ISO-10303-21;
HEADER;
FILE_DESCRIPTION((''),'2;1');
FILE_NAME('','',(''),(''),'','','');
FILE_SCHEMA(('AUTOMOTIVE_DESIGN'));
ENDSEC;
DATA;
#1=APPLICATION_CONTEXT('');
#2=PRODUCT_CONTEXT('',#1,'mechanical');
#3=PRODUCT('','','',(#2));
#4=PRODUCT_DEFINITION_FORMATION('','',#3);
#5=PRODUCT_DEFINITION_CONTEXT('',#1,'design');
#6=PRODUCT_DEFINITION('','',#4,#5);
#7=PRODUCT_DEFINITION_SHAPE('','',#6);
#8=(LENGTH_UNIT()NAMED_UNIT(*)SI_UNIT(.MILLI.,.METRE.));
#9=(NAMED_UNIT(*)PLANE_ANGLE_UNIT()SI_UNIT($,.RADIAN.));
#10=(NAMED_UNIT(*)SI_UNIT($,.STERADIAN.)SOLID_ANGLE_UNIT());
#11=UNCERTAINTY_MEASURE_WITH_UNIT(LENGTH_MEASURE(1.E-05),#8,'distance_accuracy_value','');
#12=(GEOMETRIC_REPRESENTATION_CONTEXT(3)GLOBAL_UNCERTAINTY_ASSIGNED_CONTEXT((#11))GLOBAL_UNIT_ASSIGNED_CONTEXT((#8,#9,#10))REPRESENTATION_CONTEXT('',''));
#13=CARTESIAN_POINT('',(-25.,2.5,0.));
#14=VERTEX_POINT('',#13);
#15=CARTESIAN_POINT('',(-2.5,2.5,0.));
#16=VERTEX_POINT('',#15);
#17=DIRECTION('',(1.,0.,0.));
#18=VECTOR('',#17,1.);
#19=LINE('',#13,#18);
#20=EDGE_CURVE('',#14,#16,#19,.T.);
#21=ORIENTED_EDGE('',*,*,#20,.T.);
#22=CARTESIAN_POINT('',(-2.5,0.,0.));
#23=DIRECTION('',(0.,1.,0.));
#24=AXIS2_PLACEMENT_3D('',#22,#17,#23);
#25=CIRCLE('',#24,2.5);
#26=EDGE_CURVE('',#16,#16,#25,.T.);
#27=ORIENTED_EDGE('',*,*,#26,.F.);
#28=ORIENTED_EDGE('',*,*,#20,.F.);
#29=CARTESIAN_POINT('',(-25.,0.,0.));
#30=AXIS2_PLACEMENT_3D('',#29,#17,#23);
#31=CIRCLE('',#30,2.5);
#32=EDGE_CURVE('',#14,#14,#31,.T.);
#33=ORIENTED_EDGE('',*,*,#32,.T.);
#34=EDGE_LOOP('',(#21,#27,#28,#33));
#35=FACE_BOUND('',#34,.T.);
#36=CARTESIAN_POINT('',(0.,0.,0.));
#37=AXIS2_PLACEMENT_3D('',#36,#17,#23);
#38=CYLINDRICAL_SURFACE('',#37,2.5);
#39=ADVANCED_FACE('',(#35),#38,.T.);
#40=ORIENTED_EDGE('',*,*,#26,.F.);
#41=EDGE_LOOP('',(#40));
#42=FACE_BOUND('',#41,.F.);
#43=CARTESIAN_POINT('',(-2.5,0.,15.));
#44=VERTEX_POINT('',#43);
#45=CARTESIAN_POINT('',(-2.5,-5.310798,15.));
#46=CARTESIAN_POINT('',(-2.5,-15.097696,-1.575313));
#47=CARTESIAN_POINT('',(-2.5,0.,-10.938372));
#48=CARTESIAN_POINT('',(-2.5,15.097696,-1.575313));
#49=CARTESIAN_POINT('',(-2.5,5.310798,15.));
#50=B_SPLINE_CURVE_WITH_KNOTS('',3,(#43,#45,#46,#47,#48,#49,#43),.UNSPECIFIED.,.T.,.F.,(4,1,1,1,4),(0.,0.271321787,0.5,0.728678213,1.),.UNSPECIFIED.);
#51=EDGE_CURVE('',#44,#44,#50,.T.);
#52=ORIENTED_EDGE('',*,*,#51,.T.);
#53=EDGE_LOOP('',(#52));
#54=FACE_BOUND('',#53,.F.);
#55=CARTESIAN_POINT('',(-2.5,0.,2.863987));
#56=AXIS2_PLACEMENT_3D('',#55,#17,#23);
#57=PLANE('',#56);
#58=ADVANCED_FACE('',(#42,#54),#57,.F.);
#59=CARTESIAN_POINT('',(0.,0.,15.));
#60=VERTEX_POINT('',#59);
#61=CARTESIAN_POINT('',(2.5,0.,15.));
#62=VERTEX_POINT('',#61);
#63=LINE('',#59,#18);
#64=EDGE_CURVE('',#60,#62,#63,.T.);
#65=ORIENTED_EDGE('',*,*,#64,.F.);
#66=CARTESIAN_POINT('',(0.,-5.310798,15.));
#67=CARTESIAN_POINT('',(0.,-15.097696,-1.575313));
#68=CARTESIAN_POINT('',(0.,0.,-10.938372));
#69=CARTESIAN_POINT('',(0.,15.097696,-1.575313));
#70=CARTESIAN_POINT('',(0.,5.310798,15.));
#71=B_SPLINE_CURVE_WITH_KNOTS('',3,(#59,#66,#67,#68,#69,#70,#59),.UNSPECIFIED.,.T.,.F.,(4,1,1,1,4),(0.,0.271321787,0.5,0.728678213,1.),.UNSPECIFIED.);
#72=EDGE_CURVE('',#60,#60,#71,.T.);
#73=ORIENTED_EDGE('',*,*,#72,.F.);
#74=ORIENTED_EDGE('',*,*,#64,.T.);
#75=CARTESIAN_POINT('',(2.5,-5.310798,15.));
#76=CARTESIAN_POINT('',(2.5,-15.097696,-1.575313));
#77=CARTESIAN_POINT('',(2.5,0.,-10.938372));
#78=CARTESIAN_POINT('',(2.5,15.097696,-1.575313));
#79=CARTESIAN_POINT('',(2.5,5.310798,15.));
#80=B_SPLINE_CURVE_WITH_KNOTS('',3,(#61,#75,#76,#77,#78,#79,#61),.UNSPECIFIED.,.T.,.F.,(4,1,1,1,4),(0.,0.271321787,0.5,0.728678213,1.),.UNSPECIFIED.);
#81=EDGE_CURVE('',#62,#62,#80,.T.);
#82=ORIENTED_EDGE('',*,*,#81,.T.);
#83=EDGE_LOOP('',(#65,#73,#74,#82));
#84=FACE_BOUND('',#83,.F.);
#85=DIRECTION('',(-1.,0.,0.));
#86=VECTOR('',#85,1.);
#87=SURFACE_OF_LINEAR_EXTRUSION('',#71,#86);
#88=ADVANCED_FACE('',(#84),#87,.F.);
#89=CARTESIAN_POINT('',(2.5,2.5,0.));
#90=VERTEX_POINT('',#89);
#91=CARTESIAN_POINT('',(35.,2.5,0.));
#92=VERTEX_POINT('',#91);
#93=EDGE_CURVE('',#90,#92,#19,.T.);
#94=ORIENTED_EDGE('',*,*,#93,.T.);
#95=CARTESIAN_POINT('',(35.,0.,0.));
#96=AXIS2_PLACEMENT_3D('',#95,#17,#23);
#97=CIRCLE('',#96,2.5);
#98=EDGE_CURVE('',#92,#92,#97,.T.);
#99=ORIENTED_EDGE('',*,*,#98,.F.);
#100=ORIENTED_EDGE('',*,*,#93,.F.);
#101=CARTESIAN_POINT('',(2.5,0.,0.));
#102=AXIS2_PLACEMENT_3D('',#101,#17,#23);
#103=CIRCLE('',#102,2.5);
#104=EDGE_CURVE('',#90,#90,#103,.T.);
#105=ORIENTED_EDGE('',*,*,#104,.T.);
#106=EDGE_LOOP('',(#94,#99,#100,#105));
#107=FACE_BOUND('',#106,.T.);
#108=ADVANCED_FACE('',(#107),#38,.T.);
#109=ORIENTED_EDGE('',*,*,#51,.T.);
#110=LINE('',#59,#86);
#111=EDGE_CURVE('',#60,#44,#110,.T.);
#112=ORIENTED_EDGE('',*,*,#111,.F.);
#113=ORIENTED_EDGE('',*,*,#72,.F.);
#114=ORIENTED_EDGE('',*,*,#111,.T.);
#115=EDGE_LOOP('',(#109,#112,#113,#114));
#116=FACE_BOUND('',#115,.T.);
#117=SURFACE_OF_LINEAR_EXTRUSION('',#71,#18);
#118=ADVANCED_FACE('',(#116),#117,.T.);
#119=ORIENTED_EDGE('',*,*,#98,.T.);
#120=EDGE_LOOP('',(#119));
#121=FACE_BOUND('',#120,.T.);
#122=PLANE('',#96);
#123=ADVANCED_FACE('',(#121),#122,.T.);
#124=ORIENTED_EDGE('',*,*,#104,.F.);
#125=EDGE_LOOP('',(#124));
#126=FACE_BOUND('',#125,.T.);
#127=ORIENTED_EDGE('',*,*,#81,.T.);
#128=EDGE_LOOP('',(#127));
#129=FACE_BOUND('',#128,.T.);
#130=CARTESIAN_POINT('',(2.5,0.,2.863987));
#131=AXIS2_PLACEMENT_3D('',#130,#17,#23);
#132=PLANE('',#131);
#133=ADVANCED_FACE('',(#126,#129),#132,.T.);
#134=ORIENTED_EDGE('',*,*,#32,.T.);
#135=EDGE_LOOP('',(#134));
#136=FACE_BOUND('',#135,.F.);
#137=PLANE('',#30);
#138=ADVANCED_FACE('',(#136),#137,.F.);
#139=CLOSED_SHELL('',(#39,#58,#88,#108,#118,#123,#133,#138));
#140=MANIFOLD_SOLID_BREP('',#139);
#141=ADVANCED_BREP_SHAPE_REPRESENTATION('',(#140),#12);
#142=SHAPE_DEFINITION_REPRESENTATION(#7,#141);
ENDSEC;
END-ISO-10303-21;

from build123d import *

# Parameters (mm, degrees)
F0_R          = 2.5
F1_DEPTH      = 35
F1_DEPTH_BACK = 25
F2_DEPTH      = 2.5
F2_DEPTH_BACK = 2.5


with BuildPart() as f1:
    # F0 (on Right) → F1 (new body, two sides)
    with BuildSketch(Plane.YZ) as f1_sk:
        Circle(F0_R)
    extrude(amount=F1_DEPTH)
    extrude(f1_sk.sketch, amount=-F1_DEPTH_BACK)

    # F0 (on Right) → F2 (join, two sides)
    with BuildSketch(Plane.YZ) as f2_sk:
        with BuildLine():
            add(Edge.make_bspline(
                [(0, 15), (-5.3107975246, 15), (-15.0976959297, -1.5753129223), (0, -10.9383719229), (15.0976959297, -1.5753129223), (5.3107975246, 15), (0, 15)],
                knots=[0, 0, 0, 0, 0.2713217868, 0.5, 0.7286782132, 1, 1, 1, 1], degree=3))
        make_face()
        Circle(F0_R, mode=Mode.SUBTRACT)
    extrude(amount=F2_DEPTH)
    extrude(f2_sk.sketch, amount=-F2_DEPTH_BACK)


solid = f1.part
